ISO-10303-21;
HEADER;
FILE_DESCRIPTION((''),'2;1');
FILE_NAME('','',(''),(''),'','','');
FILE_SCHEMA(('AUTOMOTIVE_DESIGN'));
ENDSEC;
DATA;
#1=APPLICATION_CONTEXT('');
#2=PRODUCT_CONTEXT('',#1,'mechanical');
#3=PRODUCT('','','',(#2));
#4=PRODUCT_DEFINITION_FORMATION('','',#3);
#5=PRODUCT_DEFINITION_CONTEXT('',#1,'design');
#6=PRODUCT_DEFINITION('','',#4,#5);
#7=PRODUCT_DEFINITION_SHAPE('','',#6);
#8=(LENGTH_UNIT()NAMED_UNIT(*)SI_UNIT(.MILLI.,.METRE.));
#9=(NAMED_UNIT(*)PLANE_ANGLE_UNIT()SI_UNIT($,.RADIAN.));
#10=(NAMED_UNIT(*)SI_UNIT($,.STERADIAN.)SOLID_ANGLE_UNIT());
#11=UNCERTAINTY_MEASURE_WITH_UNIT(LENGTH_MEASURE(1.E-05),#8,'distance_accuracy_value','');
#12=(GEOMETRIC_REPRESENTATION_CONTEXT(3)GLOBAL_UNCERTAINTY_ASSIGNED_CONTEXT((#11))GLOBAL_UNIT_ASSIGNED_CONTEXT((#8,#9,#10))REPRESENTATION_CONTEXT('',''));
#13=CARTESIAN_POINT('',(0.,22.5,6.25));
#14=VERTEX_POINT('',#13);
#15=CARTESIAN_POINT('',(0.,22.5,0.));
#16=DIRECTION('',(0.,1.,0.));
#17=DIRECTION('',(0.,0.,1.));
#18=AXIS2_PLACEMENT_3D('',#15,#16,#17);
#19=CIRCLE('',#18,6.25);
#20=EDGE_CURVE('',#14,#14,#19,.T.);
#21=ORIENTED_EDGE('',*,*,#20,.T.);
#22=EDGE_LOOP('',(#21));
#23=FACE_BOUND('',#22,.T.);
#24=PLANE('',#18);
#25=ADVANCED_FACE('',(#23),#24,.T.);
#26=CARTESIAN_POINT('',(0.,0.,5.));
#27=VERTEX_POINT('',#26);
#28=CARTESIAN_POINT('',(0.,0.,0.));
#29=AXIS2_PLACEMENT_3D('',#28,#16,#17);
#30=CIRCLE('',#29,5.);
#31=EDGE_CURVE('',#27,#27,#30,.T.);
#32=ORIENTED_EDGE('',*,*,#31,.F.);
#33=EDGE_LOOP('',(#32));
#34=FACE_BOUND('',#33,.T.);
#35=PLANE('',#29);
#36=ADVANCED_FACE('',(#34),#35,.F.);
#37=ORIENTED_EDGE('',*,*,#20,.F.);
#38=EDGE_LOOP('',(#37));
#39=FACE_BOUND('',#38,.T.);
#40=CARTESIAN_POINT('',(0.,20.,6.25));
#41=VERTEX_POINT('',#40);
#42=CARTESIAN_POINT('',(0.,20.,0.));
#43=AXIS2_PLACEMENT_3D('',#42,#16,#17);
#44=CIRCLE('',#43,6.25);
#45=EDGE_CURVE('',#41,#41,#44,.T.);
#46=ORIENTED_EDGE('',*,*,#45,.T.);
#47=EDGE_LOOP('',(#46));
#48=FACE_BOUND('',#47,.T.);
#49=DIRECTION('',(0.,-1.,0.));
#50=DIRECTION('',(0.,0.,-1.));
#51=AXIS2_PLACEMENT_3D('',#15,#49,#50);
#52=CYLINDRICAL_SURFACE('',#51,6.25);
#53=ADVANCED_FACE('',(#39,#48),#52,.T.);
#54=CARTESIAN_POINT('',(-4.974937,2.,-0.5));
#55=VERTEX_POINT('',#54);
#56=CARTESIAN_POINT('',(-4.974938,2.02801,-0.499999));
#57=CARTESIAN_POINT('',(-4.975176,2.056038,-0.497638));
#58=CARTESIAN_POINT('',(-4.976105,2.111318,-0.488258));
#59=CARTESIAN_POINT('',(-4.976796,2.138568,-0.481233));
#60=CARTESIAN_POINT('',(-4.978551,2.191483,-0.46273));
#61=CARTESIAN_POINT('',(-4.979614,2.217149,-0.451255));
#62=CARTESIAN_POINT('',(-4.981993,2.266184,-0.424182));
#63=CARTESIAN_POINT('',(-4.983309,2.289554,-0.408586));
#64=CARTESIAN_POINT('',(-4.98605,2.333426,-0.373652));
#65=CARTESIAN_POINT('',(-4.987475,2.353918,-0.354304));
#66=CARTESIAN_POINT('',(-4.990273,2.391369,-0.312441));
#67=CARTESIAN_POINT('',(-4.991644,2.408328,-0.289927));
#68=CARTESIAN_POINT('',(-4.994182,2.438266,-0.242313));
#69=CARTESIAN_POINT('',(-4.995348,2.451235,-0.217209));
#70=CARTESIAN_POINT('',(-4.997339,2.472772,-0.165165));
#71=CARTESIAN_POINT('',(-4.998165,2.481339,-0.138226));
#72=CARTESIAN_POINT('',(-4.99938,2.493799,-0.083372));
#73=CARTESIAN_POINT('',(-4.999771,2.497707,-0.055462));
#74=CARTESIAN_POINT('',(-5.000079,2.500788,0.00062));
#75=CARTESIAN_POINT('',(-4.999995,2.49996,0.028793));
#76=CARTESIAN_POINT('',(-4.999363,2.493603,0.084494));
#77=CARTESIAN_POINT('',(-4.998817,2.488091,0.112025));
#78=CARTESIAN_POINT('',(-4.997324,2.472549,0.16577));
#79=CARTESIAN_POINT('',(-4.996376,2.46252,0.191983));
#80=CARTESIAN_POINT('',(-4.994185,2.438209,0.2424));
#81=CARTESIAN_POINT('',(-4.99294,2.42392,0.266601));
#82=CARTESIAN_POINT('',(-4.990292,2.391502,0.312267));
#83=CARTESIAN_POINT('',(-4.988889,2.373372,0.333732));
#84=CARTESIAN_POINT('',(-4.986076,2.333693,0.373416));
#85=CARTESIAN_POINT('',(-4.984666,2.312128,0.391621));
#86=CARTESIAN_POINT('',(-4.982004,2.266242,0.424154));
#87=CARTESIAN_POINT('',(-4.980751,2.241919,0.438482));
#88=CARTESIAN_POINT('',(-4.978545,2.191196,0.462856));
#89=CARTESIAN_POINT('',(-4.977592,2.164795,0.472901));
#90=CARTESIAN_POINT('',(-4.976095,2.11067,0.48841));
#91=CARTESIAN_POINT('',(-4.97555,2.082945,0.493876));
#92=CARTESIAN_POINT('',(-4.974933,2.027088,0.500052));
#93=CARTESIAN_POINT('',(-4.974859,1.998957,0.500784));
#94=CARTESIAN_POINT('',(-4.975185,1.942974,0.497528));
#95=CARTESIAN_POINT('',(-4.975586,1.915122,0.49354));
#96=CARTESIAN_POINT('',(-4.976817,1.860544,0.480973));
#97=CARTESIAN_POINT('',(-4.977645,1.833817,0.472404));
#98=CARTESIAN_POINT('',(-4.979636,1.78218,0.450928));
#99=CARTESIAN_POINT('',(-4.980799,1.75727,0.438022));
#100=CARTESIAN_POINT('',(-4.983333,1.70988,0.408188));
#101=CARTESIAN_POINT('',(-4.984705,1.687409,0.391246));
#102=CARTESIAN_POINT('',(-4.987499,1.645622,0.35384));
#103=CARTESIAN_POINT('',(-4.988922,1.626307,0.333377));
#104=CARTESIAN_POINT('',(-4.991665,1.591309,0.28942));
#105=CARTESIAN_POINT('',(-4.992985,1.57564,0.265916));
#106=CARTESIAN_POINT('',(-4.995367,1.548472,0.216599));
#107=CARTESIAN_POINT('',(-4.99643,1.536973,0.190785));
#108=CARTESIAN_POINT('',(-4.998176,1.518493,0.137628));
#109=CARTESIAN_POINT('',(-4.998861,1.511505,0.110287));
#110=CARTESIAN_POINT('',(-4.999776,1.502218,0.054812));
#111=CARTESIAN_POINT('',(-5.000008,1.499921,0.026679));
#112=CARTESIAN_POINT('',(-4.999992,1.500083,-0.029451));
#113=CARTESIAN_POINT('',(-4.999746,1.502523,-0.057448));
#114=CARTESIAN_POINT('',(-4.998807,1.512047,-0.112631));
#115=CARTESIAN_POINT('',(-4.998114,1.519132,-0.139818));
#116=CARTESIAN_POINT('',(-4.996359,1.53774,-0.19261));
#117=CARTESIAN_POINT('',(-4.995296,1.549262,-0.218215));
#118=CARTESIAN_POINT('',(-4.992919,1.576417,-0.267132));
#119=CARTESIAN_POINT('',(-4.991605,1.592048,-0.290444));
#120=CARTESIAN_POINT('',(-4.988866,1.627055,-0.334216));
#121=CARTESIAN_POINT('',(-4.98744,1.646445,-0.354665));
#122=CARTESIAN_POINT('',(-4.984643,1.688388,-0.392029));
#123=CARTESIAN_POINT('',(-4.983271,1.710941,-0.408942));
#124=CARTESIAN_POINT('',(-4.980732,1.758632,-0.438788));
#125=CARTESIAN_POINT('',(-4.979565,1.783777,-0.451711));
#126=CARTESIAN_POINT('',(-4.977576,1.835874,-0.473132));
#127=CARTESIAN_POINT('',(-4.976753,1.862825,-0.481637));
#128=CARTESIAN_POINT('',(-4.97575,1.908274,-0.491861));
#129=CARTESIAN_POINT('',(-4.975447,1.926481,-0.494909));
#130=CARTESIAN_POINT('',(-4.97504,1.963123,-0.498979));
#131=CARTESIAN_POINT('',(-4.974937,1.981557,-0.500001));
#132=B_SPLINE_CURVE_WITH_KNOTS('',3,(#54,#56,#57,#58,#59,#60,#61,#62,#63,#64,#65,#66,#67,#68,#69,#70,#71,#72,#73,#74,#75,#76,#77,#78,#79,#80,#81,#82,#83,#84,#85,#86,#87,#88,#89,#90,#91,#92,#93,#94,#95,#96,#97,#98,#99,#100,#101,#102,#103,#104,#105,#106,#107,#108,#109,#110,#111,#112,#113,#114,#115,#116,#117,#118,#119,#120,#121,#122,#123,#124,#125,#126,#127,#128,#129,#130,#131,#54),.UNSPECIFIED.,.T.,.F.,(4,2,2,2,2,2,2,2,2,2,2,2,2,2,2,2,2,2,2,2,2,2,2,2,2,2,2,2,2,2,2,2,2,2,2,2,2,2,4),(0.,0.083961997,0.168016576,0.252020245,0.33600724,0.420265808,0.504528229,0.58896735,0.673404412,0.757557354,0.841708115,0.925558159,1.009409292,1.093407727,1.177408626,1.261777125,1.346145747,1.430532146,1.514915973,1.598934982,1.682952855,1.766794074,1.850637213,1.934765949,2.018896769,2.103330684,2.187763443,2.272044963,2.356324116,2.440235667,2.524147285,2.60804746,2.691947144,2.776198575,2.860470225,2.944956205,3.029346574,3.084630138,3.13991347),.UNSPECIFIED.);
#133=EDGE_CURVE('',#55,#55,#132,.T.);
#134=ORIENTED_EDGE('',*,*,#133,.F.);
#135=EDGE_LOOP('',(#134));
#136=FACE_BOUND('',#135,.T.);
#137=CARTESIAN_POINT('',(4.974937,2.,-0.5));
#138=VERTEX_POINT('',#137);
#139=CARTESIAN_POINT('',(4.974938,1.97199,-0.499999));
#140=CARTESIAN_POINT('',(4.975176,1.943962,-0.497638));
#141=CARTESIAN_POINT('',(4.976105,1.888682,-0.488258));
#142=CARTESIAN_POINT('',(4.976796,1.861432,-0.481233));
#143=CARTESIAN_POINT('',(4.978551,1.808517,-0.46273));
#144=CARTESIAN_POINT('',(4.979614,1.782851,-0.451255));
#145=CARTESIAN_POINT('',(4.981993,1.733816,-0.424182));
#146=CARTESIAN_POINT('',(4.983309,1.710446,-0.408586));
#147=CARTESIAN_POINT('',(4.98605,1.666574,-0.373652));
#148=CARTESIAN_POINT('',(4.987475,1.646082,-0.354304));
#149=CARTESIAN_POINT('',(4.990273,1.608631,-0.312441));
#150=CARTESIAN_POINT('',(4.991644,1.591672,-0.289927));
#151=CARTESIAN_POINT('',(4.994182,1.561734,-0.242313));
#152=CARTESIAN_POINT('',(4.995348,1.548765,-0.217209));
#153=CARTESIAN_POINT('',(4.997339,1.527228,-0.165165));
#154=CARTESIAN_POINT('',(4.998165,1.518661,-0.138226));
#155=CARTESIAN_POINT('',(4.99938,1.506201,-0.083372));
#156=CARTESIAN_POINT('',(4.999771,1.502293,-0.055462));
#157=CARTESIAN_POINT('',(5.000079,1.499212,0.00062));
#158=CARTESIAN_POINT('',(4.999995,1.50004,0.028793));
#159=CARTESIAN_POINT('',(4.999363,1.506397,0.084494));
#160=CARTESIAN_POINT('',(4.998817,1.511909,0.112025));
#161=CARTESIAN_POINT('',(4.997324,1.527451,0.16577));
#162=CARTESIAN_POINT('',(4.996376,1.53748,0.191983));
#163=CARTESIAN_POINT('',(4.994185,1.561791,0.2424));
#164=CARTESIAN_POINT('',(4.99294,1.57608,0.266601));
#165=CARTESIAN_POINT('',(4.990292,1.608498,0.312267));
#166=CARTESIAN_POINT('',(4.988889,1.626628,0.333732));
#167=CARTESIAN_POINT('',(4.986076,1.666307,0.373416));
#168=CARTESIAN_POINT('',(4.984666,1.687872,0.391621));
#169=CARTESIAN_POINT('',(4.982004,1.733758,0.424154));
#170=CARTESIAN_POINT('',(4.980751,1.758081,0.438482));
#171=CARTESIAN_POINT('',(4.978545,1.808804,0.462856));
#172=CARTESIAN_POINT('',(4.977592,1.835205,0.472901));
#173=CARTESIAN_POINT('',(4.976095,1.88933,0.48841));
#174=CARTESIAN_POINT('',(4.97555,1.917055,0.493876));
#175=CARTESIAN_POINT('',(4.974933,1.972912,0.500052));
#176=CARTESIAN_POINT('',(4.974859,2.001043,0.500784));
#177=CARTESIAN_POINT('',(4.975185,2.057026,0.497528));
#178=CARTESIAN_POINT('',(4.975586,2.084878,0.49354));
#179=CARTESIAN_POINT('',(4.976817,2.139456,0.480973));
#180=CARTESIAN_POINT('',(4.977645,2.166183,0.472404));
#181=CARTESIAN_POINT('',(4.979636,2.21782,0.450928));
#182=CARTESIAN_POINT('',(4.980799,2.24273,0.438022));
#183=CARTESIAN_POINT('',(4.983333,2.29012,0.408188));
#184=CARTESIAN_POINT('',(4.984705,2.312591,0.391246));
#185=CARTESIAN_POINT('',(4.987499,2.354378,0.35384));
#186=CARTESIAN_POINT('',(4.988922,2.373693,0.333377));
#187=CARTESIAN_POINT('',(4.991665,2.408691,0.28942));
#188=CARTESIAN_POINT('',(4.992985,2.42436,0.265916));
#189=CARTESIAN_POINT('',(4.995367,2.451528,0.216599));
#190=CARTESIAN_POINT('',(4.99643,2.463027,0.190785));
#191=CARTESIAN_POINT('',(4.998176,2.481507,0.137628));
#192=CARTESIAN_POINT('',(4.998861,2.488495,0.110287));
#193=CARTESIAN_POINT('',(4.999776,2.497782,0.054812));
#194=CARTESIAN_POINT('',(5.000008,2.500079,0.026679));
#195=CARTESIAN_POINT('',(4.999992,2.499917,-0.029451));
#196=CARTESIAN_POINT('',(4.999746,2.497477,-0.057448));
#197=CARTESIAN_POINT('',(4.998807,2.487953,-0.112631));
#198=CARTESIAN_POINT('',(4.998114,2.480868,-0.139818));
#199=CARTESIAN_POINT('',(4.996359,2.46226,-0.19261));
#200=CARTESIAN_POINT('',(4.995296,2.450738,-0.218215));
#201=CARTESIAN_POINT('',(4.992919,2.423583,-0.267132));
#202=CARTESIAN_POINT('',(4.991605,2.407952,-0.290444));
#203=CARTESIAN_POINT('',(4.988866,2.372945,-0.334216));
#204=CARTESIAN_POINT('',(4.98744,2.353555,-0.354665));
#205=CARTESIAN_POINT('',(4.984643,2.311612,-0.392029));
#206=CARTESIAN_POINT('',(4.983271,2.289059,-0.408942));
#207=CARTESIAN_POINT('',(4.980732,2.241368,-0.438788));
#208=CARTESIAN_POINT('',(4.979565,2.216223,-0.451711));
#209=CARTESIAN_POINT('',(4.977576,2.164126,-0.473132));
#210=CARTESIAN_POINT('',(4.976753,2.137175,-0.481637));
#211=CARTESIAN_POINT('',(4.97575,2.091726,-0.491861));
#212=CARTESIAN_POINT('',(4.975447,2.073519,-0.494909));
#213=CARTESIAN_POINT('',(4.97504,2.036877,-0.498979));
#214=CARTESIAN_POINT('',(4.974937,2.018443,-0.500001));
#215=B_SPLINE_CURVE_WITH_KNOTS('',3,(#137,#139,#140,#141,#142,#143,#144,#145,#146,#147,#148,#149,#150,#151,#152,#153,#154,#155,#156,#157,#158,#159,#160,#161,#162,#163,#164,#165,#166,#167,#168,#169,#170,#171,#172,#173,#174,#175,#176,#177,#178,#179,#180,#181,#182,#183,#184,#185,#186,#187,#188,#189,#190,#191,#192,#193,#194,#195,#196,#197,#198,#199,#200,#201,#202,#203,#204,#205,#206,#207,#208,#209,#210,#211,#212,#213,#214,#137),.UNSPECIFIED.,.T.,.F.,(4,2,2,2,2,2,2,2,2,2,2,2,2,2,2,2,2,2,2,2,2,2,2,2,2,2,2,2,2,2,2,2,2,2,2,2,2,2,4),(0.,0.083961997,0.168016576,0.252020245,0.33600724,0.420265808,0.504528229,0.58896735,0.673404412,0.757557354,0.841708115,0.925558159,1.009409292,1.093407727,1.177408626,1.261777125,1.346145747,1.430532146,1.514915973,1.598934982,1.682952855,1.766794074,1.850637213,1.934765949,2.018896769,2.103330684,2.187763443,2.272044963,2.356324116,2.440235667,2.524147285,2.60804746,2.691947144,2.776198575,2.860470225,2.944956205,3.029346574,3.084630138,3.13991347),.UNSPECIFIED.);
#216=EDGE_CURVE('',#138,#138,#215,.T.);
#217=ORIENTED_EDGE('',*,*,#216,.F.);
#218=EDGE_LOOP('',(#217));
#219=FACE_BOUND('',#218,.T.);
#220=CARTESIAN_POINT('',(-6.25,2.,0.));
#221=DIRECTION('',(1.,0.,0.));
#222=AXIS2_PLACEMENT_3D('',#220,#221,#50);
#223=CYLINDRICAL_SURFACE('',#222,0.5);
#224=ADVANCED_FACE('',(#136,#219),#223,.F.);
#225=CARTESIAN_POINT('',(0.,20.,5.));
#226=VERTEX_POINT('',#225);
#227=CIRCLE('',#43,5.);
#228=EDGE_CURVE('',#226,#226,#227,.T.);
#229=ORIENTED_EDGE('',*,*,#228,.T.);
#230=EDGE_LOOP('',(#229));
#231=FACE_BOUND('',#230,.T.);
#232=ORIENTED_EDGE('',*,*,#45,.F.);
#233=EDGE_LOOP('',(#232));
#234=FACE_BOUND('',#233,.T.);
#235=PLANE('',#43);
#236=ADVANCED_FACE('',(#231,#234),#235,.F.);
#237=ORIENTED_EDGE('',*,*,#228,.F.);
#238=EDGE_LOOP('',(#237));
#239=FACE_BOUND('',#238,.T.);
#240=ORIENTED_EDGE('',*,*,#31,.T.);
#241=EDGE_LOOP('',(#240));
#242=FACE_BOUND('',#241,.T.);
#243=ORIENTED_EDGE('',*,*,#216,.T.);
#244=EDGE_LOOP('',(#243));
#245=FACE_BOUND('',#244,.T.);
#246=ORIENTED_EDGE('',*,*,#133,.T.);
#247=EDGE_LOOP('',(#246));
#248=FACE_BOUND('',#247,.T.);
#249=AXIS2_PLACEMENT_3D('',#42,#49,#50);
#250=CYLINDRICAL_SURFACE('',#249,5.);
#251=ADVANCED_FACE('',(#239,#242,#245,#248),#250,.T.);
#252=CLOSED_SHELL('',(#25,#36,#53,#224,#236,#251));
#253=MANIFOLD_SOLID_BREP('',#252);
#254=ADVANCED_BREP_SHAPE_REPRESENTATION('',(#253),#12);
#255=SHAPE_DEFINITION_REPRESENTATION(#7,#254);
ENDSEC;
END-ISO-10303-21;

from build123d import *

# Parameters (mm, degrees)
SKETCH1_R               = 5
BOSS_EXTRUDE1_DEPTH     = 20
SKETCH3_R               = 6.25
BOSS_EXTRUDE3_DEPTH     = 2.5
CUT_EXTRUDE1_DEPTH      = 25.173849507
CUT_EXTRUDE1_DEPTH_BACK = 25.173849507
SKETCH4_R               = 0.5


with BuildPart() as part:
    # Sketch1 → Boss-Extrude1 (new body)
    with BuildSketch(Plane(origin=(0, 0, 0), x_dir=(1, 0, 0), z_dir=(0, 1, 0))):
        with Locations(Location((0, 0, 0), (0, 0, 270))):
            Circle(SKETCH1_R)
    extrude(amount=BOSS_EXTRUDE1_DEPTH)

    # Sketch3 → Boss-Extrude3 (add)
    with BuildSketch(Plane(origin=(0, 20, 0), x_dir=(1, 0, 0), z_dir=(0, 1, 0))):
        with Locations(Location((0, 0, 0), (0, 0, 270))):
            Circle(SKETCH3_R)
    extrude(amount=BOSS_EXTRUDE3_DEPTH)

    # Sketch4 → Cut-Extrude1 (cut, two sides: drawn at the far end of the back side and taken through both)
    with BuildSketch(Plane(origin=(0, 0, 0), x_dir=(0, 0, -1), z_dir=(1, 0, 0)).offset(-CUT_EXTRUDE1_DEPTH_BACK)):
        with Locations((0, 2)):
            Circle(SKETCH4_R)
    extrude(amount=CUT_EXTRUDE1_DEPTH + CUT_EXTRUDE1_DEPTH_BACK, mode=Mode.SUBTRACT)


solid = part.part
